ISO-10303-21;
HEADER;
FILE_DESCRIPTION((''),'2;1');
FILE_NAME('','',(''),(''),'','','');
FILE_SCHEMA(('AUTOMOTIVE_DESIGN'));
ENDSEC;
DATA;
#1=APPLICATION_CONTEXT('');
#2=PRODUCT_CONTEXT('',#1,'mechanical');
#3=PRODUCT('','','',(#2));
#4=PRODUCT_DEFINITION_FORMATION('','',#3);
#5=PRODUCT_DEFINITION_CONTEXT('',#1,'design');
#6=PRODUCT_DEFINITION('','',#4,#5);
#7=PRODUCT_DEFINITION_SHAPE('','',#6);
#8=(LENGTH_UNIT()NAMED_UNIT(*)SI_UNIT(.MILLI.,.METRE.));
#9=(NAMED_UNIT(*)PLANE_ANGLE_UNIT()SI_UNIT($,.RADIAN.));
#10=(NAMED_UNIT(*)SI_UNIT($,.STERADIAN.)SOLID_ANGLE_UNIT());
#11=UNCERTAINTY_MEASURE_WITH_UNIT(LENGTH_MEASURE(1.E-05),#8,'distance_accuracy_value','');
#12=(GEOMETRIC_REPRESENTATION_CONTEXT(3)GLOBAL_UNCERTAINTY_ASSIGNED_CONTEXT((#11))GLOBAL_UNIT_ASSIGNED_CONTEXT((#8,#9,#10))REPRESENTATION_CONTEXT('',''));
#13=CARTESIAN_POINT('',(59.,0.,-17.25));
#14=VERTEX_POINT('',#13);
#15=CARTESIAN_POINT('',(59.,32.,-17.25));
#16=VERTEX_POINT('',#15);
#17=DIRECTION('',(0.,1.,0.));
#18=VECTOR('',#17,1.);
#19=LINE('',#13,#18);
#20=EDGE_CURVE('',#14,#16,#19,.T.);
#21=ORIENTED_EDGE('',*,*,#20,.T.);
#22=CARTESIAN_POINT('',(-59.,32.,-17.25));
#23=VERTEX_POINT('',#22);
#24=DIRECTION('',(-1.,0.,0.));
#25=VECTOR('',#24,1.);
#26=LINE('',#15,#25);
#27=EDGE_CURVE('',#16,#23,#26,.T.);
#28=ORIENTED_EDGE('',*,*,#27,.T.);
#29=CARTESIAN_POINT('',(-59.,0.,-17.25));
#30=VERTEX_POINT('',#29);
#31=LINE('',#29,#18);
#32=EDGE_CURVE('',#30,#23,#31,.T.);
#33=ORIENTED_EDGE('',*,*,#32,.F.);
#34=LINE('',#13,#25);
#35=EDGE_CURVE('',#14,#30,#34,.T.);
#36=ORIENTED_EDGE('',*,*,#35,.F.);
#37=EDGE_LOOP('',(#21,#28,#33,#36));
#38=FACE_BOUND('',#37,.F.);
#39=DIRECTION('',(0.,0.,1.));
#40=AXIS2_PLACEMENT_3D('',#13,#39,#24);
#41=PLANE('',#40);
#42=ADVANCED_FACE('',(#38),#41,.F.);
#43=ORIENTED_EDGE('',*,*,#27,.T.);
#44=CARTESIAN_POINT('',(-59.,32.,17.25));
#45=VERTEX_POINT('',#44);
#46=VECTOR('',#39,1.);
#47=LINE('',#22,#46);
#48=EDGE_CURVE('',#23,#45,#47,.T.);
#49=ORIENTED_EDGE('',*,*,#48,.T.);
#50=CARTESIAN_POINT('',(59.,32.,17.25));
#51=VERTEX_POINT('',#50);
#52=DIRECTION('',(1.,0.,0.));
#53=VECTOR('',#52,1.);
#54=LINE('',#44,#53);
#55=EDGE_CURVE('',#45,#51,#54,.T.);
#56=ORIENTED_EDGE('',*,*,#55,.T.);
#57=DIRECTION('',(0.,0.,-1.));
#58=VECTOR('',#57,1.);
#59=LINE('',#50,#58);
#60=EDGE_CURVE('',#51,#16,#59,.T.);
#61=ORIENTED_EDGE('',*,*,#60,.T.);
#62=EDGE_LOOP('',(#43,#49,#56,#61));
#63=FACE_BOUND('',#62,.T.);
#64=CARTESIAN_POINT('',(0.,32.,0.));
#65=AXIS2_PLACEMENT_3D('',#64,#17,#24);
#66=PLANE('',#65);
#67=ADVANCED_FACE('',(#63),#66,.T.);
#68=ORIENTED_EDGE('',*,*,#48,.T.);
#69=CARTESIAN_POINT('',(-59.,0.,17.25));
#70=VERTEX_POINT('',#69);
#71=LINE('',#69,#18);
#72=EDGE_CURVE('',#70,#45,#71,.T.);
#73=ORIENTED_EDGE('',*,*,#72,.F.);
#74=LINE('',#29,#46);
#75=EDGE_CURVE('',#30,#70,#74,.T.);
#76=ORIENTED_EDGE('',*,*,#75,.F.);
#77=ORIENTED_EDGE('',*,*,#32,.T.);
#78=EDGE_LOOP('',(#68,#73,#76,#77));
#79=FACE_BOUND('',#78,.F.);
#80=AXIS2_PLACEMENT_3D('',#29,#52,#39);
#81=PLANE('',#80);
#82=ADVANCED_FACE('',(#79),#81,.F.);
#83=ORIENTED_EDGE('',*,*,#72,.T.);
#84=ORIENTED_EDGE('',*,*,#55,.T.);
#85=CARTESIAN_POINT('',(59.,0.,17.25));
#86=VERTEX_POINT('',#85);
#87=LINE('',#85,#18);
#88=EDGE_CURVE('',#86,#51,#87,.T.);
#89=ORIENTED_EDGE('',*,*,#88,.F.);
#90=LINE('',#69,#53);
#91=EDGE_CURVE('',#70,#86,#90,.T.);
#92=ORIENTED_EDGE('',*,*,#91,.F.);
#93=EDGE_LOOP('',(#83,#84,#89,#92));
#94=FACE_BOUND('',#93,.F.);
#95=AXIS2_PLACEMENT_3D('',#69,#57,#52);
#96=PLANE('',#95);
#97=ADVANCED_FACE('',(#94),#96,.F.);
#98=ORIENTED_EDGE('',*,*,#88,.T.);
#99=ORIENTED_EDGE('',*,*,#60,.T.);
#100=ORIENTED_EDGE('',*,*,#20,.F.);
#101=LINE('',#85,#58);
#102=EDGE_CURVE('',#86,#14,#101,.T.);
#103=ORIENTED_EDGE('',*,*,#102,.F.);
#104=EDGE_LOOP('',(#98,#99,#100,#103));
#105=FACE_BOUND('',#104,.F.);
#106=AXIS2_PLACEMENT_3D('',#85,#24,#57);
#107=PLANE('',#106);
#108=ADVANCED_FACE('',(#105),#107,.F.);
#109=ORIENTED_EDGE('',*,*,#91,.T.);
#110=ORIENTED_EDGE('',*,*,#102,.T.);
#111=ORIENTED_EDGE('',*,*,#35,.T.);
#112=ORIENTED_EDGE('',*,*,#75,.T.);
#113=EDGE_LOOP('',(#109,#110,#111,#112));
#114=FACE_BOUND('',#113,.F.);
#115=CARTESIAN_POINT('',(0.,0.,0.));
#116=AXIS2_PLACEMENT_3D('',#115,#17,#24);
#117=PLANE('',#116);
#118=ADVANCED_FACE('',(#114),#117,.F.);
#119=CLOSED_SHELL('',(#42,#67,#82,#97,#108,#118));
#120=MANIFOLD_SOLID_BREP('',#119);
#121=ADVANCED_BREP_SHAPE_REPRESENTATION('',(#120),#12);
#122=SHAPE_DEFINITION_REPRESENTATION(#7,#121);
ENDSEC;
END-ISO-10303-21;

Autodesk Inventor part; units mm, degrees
ref_plane "YZ Plane" through (0, 0, 0) normal (1, 0, 0) x (0, 1, 0)
ref_plane "XZ Plane" through (0, 0, 0) normal (0, 1, 0) x (-1, 0, 0)
ref_plane "XY Plane" through (0, 0, 0) normal (0, 0, 1) x (1, 0, 0)
sketch "Sketch1" plane through (0, 0, 0) normal (0, 1, 0) x (-1, 0, 0)
  line L0 (59, 17.25) -> (-59, 17.25)
  line L1 (-59, 17.25) -> (-59, -17.25)
  line L2 (-59, -17.25) -> (59, -17.25)
  line L3 (59, -17.25) -> (59, 17.25)
  line L4 (59, 17.25) -> (-59, -17.25) construction
  line L5 (-59, 17.25) -> (59, -17.25) construction
  point P0 (0, 0)
  dimension "d0" = 118
  dimension "d1" = 34.5
extrude "Extrusion1" add sketch "Sketch1" along normal blind 32
properties part number "akksi"
